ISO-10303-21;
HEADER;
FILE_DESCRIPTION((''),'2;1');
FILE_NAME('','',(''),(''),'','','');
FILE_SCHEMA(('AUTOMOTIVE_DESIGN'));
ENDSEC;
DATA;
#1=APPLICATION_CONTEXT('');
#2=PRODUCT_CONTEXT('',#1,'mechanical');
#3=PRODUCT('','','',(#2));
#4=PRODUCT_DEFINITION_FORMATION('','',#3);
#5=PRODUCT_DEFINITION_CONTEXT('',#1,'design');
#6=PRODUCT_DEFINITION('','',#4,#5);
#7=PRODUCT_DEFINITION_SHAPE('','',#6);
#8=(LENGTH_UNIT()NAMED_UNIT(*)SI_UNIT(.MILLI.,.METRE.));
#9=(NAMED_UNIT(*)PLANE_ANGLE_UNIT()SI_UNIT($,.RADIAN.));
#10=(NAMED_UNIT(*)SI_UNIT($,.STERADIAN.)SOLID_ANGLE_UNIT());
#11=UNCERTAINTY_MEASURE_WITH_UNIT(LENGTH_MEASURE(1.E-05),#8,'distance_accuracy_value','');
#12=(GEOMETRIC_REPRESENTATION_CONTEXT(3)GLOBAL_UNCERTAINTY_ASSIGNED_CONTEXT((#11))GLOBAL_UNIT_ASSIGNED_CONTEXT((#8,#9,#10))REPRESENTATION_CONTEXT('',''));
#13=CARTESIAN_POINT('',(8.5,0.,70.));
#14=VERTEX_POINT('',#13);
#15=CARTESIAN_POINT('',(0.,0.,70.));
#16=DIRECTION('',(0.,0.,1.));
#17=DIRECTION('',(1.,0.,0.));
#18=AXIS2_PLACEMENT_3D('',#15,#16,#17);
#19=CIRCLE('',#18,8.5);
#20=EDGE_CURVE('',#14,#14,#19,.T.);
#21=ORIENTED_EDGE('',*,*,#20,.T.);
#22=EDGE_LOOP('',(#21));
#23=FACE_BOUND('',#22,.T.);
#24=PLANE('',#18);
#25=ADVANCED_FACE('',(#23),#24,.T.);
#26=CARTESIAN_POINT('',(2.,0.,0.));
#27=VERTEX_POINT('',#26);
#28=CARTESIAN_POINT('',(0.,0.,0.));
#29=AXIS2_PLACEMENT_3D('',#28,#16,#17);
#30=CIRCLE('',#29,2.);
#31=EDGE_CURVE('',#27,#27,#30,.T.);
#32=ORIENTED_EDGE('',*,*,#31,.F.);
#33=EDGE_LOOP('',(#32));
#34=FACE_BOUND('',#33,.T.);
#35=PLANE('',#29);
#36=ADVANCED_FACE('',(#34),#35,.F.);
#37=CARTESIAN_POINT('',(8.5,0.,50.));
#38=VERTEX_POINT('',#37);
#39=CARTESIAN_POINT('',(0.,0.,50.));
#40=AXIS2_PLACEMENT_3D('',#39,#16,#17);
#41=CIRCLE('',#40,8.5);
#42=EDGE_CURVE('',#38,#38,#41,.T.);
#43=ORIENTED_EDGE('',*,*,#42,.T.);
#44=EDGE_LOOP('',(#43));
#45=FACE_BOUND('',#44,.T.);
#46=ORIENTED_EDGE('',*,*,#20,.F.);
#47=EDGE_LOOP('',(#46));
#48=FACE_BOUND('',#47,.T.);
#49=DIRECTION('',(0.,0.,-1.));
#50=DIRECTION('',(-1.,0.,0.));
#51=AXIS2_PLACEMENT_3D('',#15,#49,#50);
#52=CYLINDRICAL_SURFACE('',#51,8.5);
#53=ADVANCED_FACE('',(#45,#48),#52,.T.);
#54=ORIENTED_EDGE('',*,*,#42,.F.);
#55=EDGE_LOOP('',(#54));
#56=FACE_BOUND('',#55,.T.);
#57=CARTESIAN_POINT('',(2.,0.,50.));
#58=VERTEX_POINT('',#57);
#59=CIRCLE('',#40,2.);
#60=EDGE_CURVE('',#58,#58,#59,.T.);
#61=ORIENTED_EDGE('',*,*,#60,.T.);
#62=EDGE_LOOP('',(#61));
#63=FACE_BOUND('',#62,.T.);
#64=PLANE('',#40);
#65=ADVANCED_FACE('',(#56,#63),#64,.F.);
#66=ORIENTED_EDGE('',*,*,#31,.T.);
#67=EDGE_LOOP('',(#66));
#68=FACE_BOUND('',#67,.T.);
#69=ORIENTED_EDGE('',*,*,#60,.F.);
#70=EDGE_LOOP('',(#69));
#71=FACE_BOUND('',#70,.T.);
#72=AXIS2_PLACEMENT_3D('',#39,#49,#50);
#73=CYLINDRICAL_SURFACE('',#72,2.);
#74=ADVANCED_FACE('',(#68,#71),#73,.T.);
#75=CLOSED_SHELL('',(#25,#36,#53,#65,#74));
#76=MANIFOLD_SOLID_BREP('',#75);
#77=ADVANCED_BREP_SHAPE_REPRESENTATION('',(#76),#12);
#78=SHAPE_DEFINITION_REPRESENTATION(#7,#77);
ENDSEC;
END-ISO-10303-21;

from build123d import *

# Parameters (mm, degrees)
SKETCH1_R           = 2
BOSS_EXTRUDE1_DEPTH = 50
SKETCH2_R           = 8.5
BOSS_EXTRUDE2_DEPTH = 20


with BuildPart() as part:
    # Sketch1 → Boss-Extrude1 (new body)
    with BuildSketch(Plane.XY):
        Circle(SKETCH1_R)
    extrude(amount=BOSS_EXTRUDE1_DEPTH)

    # Sketch2 → Boss-Extrude2 (add)
    with BuildSketch(Plane.XY.offset(50)):
        Circle(SKETCH2_R)
    extrude(amount=BOSS_EXTRUDE2_DEPTH)


solid = part.part
